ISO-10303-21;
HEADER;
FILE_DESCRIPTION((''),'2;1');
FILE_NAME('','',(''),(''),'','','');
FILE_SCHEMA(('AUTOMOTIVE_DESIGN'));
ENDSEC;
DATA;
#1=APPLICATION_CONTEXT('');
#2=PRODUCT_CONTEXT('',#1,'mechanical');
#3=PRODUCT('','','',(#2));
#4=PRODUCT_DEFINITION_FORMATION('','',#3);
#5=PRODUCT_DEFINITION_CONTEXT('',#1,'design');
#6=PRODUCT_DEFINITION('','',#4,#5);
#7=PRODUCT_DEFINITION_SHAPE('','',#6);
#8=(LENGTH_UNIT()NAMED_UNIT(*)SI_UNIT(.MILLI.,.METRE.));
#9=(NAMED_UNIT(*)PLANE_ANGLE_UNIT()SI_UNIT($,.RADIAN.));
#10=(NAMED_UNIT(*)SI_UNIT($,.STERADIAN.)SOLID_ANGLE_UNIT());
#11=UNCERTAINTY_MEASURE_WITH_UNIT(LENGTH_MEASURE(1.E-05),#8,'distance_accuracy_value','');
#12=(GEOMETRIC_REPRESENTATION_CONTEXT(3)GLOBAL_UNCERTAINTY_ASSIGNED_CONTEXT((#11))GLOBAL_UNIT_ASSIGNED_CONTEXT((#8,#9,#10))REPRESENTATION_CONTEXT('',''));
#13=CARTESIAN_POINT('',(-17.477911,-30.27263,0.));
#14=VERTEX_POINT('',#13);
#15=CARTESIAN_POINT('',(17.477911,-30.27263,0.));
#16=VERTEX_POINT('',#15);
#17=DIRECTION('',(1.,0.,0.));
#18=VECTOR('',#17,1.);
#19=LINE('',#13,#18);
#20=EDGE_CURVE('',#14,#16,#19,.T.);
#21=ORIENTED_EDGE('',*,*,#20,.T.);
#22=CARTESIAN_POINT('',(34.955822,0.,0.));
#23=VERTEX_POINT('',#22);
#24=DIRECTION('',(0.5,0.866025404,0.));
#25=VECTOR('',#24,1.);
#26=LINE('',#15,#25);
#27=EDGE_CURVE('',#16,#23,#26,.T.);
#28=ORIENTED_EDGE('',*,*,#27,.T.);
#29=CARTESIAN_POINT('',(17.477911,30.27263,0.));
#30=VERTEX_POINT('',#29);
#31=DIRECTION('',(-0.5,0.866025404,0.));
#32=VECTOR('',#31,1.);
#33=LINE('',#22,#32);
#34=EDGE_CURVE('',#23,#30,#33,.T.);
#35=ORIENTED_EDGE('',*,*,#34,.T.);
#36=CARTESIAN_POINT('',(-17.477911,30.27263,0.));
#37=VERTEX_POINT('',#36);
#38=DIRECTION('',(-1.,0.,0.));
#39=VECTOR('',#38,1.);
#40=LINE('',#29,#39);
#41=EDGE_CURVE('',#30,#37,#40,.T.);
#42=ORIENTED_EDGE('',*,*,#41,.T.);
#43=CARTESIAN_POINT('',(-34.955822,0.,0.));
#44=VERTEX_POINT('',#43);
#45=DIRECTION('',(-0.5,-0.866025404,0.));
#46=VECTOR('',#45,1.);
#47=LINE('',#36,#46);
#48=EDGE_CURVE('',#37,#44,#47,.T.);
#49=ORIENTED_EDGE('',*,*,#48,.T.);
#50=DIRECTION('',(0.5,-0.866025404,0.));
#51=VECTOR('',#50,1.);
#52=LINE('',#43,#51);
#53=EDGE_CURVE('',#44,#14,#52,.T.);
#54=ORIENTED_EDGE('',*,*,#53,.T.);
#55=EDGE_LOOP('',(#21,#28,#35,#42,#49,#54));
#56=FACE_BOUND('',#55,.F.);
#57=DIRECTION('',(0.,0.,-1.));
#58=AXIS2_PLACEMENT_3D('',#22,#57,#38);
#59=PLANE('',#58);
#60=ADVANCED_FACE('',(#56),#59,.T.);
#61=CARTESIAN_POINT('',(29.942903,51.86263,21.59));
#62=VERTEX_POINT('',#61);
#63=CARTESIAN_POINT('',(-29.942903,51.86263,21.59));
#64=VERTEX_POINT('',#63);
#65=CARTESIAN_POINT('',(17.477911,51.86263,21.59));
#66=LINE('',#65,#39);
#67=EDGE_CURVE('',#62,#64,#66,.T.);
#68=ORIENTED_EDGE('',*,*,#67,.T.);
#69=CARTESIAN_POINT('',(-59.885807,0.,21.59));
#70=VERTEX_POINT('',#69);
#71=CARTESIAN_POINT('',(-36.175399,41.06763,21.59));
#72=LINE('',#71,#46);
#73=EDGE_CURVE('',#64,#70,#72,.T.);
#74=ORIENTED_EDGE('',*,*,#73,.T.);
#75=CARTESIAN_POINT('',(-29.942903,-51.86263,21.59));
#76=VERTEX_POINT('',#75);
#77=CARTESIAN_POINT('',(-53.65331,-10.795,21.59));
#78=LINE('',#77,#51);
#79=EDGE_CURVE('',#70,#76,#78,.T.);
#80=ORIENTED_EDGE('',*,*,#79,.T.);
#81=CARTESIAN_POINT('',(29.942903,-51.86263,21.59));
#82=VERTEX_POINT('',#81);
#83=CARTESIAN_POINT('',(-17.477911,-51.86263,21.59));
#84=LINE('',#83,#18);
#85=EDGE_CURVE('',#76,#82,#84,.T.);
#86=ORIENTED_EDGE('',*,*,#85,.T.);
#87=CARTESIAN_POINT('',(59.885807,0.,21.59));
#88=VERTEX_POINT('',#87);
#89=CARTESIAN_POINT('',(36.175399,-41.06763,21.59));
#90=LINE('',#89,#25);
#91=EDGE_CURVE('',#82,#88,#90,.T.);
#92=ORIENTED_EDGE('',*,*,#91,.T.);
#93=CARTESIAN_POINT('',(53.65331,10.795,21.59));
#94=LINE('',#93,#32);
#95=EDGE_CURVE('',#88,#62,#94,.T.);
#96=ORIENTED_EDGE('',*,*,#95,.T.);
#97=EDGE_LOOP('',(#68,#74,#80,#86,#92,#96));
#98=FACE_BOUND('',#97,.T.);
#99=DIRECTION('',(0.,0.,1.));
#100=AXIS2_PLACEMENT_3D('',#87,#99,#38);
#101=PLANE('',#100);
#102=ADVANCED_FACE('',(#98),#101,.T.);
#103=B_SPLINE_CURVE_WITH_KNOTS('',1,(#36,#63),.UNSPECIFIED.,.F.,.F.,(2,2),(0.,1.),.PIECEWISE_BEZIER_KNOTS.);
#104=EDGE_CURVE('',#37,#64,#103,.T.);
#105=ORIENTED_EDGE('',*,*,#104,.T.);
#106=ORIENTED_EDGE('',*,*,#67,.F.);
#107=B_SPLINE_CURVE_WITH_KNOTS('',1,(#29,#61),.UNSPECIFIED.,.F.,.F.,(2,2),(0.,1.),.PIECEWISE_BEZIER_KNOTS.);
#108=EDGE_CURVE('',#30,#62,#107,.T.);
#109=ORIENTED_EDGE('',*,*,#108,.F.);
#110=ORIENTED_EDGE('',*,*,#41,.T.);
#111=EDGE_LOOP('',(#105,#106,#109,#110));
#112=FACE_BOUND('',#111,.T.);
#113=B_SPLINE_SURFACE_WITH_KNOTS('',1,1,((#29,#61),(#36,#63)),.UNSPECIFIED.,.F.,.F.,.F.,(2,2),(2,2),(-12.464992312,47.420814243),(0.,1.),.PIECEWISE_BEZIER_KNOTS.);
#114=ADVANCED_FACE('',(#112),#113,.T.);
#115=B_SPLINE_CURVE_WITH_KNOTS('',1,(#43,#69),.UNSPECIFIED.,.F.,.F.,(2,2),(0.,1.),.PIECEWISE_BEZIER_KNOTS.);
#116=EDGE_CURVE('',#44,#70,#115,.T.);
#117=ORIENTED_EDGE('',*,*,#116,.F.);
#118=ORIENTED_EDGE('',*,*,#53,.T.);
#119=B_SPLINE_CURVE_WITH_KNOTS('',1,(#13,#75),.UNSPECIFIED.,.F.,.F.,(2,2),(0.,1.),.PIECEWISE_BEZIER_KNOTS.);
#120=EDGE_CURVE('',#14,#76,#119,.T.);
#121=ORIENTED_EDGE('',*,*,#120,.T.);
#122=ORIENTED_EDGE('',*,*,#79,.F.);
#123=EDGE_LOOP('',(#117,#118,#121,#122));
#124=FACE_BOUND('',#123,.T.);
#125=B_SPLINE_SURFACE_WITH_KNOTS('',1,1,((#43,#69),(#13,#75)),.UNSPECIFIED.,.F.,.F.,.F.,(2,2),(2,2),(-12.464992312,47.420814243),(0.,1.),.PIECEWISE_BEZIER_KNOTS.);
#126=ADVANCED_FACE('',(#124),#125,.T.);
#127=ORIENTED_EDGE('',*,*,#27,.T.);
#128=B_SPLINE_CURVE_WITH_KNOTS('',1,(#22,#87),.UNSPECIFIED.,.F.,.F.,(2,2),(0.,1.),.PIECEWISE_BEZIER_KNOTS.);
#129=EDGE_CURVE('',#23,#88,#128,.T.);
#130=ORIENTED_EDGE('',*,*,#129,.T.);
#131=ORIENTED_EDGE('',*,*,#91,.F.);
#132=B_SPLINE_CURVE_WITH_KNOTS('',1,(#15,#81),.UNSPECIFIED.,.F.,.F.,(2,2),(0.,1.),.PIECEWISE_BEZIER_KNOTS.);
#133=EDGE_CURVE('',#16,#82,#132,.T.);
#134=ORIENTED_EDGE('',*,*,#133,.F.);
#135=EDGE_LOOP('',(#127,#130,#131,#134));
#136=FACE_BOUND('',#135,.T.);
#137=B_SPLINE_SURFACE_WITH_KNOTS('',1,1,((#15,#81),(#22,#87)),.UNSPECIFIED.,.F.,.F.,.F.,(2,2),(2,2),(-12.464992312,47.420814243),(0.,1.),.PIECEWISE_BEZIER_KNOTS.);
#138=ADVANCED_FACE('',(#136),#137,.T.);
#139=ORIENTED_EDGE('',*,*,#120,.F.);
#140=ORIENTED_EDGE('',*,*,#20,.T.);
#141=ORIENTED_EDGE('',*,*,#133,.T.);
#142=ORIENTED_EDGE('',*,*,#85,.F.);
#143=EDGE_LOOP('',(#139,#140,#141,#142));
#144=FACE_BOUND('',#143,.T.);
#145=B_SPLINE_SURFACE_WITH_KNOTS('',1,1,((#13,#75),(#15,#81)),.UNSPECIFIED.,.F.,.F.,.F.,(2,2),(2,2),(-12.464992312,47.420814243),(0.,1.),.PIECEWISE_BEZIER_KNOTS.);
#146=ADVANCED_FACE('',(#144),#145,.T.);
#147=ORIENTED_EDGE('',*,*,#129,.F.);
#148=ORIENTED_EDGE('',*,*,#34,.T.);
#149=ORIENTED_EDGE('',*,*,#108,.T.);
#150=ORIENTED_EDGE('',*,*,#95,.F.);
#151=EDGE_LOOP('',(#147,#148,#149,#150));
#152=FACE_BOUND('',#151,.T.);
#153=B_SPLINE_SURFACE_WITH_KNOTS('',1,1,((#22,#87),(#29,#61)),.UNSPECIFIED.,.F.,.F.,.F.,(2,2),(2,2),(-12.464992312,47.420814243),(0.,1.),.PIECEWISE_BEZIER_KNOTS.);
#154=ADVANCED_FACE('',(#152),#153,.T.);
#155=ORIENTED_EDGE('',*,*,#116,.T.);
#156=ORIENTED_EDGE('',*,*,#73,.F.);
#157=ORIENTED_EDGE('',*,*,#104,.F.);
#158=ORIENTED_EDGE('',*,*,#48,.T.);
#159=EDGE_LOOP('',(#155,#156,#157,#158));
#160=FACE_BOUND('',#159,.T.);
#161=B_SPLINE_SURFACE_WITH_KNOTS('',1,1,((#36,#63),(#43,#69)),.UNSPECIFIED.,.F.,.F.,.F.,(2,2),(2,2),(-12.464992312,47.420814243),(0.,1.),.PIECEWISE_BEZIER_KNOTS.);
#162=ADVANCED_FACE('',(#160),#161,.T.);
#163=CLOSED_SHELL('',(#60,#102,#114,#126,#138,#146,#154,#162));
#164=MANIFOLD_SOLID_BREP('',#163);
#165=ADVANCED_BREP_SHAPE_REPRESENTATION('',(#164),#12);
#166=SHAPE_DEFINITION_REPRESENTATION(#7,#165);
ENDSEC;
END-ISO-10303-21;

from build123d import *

# Parameters (mm, degrees)
F1_DEPTH = 21.59
F1_TAPER = -45


with BuildPart() as f1:
    # F0 (on Top) → F1 (new body)
    with BuildSketch(Plane.XY):
        Polygon((0, 0), (34.9558219314, 0), (17.4779109657, 30.2726298027), (-17.4779109657, 30.2726298027), (-34.9558219314, 0), align=None)
        Polygon((17.4779109657, -30.2726298027), (34.9558219314, 0), (0, 0), (-34.9558219314, 0), (-17.4779109657, -30.2726298027), align=None)
    extrude(amount=F1_DEPTH, taper=F1_TAPER)


solid = f1.part
